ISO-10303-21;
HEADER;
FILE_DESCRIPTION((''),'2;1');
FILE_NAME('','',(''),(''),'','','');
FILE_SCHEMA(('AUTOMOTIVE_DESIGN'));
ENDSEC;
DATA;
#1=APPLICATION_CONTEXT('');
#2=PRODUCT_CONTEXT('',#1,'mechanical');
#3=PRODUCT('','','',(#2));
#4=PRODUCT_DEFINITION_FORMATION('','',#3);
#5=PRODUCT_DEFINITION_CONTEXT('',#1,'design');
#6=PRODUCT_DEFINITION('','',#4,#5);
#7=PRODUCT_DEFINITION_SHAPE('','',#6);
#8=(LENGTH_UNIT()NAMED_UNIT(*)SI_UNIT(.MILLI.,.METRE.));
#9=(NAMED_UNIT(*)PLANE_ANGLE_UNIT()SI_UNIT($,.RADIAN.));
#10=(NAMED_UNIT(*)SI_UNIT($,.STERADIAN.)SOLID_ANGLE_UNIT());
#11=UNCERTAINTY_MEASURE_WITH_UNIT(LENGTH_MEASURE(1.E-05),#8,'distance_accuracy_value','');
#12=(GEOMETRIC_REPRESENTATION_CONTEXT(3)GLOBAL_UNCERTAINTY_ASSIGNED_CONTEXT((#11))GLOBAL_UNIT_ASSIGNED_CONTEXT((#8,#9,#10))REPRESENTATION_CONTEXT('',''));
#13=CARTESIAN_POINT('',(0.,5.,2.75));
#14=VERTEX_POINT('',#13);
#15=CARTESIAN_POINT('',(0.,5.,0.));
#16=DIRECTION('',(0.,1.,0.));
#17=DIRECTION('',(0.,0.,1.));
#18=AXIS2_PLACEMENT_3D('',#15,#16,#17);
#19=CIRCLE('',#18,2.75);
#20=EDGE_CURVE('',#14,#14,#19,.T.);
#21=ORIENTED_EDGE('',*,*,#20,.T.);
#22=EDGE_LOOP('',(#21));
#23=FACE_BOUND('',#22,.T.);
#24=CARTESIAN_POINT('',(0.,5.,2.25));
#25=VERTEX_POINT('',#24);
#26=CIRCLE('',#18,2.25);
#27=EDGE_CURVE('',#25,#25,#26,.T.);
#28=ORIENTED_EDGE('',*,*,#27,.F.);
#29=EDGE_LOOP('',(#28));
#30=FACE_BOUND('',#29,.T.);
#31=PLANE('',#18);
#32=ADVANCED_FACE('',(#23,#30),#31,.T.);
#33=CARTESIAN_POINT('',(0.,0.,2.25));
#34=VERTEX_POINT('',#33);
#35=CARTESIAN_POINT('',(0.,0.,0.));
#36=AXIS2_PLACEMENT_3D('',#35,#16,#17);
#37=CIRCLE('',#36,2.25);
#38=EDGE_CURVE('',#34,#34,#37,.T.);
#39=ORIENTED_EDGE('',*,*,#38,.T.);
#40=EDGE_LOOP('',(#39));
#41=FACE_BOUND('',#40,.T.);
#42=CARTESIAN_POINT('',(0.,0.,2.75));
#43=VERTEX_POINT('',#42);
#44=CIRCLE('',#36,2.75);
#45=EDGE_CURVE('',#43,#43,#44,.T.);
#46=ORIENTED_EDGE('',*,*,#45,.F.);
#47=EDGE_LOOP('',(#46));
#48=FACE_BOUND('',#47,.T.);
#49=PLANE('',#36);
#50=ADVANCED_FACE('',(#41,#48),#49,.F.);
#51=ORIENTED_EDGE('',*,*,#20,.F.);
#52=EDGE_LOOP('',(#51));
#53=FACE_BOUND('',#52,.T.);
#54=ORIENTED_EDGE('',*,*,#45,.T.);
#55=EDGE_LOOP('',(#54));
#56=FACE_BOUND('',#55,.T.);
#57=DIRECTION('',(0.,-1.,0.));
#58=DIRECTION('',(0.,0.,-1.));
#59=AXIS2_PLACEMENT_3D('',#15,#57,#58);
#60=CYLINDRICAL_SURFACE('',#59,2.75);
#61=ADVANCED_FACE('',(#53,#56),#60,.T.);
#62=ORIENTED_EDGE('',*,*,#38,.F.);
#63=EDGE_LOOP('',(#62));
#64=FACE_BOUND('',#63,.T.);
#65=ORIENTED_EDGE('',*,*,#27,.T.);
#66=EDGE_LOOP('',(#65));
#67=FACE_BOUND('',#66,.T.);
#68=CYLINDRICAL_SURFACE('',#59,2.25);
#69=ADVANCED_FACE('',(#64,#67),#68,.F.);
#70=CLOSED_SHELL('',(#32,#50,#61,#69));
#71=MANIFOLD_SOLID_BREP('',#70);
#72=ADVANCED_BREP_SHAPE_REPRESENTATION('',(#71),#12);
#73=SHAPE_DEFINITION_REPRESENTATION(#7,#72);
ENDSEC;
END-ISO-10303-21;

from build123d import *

# Parameters (mm, degrees)
ESQUISSE2_R        = 2.75
ESQUISSE2_R_2      = 2.25
BOSS_EXTRU_2_DEPTH = 5


with BuildPart() as part:
    # Esquisse2 → Boss.-Extru.2 (new body)
    with BuildSketch(Plane(origin=(0, 0, 0), x_dir=(1, 0, 0), z_dir=(0, 1, 0))):
        with Locations(Location((0, 0, 0), (0, 0, 270))):
            Circle(ESQUISSE2_R)
        with Locations(Location((0, 0, 0), (0, 0, 270))):
            Circle(ESQUISSE2_R_2, mode=Mode.SUBTRACT)
    extrude(amount=BOSS_EXTRU_2_DEPTH)


solid = part.part
